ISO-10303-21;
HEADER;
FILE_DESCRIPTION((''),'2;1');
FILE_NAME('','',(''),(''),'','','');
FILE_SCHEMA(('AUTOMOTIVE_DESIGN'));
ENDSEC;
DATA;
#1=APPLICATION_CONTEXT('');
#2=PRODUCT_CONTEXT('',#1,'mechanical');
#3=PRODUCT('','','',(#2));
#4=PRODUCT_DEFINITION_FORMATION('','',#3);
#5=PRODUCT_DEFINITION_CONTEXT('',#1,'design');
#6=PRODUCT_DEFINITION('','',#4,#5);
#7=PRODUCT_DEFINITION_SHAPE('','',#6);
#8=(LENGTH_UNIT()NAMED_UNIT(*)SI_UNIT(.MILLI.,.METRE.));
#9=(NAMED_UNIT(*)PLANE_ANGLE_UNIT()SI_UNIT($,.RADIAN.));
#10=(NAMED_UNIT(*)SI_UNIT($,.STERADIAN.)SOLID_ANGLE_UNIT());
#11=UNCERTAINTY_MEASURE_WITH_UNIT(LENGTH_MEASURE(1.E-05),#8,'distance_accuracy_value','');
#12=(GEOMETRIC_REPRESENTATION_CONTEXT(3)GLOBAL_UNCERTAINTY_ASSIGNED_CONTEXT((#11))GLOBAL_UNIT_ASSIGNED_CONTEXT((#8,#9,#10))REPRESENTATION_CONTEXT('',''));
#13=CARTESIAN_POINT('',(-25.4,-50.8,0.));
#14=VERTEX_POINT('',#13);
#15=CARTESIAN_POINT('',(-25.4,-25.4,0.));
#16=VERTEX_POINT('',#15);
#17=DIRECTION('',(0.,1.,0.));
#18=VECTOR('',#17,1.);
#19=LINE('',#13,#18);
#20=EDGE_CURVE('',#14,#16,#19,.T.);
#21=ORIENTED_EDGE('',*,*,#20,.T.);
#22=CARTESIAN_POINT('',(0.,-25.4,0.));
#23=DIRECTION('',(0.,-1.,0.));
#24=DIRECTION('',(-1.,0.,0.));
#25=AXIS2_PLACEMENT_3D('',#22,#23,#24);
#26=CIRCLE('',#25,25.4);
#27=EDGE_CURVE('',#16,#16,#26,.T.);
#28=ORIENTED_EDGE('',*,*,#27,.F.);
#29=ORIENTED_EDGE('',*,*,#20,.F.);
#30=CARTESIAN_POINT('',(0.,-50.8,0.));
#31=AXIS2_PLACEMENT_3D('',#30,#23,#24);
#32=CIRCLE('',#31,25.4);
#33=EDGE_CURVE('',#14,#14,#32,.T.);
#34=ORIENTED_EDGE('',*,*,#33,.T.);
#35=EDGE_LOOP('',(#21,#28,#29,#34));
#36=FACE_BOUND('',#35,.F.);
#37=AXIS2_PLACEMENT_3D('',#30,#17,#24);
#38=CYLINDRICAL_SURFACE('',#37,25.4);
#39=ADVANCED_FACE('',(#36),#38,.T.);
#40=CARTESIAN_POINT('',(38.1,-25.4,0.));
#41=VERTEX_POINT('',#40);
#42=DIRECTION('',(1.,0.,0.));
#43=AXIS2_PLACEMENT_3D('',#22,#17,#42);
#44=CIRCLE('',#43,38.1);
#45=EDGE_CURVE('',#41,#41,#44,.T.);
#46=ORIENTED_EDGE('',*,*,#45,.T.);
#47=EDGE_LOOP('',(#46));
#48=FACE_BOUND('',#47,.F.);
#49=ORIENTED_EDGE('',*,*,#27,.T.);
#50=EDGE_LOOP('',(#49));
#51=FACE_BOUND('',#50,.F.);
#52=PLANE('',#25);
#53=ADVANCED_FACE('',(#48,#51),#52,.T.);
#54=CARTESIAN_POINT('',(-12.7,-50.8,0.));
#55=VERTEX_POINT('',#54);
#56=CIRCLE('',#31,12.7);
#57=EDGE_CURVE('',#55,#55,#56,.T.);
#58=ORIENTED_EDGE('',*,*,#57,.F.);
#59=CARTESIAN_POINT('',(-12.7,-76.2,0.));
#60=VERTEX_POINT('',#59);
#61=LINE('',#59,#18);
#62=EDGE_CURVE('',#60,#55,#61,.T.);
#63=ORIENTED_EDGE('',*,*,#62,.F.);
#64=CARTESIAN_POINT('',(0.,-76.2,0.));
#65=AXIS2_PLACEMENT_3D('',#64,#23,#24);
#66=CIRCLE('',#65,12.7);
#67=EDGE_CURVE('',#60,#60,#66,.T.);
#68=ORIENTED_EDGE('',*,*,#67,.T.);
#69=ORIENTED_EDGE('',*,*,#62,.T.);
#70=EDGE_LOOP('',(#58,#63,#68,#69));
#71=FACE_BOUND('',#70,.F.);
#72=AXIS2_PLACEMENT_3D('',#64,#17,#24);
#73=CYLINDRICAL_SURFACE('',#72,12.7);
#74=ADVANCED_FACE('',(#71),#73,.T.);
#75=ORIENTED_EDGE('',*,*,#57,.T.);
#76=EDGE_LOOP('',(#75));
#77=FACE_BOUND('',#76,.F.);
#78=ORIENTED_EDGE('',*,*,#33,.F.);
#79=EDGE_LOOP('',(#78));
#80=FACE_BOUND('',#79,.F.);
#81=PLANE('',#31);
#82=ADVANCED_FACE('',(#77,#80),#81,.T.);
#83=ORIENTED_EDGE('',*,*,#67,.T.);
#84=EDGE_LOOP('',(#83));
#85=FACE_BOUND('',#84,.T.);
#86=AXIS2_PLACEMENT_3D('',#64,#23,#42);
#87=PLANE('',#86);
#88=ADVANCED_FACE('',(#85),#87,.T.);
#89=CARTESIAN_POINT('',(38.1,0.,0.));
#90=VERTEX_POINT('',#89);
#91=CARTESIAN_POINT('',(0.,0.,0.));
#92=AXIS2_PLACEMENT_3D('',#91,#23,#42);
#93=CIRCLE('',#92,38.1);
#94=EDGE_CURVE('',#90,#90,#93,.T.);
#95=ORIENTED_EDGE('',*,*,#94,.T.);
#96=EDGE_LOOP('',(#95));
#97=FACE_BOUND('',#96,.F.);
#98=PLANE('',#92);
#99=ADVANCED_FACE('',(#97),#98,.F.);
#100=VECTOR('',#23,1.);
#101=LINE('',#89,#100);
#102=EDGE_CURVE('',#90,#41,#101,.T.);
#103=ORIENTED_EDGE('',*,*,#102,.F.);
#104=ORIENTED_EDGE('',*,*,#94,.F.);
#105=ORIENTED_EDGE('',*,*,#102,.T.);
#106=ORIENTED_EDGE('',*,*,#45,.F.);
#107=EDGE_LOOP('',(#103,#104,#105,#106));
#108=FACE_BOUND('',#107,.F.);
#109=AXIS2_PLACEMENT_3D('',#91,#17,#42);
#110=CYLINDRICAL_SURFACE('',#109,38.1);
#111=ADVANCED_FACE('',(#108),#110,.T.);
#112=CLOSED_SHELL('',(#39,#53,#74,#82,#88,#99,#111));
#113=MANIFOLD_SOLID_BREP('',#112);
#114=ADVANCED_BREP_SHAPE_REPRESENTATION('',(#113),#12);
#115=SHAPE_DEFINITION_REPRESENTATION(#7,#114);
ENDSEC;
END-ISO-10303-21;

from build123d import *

# Parameters (mm, degrees)
F0_R     = 38.1
F1_DEPTH = 76.2


with BuildPart() as f1:
    # F0 (on Front) → F1 (new body)
    with BuildSketch(Plane.XZ):
        Circle(F0_R)
    extrude(amount=F1_DEPTH)

    # F2 (on Top) → F3 (revolve, cut)
    with BuildSketch(Plane.XY):
        Polygon((-50.8, -76.2), (-12.7, -76.2), (-12.7, -50.8), (-25.4, -50.8), (-25.4, -25.4), (-50.8, -25.4), align=None)
    revolve(axis=Axis((0, -13.316864, 0), (0, -1, 0)), mode=Mode.SUBTRACT)


solid = f1.part
